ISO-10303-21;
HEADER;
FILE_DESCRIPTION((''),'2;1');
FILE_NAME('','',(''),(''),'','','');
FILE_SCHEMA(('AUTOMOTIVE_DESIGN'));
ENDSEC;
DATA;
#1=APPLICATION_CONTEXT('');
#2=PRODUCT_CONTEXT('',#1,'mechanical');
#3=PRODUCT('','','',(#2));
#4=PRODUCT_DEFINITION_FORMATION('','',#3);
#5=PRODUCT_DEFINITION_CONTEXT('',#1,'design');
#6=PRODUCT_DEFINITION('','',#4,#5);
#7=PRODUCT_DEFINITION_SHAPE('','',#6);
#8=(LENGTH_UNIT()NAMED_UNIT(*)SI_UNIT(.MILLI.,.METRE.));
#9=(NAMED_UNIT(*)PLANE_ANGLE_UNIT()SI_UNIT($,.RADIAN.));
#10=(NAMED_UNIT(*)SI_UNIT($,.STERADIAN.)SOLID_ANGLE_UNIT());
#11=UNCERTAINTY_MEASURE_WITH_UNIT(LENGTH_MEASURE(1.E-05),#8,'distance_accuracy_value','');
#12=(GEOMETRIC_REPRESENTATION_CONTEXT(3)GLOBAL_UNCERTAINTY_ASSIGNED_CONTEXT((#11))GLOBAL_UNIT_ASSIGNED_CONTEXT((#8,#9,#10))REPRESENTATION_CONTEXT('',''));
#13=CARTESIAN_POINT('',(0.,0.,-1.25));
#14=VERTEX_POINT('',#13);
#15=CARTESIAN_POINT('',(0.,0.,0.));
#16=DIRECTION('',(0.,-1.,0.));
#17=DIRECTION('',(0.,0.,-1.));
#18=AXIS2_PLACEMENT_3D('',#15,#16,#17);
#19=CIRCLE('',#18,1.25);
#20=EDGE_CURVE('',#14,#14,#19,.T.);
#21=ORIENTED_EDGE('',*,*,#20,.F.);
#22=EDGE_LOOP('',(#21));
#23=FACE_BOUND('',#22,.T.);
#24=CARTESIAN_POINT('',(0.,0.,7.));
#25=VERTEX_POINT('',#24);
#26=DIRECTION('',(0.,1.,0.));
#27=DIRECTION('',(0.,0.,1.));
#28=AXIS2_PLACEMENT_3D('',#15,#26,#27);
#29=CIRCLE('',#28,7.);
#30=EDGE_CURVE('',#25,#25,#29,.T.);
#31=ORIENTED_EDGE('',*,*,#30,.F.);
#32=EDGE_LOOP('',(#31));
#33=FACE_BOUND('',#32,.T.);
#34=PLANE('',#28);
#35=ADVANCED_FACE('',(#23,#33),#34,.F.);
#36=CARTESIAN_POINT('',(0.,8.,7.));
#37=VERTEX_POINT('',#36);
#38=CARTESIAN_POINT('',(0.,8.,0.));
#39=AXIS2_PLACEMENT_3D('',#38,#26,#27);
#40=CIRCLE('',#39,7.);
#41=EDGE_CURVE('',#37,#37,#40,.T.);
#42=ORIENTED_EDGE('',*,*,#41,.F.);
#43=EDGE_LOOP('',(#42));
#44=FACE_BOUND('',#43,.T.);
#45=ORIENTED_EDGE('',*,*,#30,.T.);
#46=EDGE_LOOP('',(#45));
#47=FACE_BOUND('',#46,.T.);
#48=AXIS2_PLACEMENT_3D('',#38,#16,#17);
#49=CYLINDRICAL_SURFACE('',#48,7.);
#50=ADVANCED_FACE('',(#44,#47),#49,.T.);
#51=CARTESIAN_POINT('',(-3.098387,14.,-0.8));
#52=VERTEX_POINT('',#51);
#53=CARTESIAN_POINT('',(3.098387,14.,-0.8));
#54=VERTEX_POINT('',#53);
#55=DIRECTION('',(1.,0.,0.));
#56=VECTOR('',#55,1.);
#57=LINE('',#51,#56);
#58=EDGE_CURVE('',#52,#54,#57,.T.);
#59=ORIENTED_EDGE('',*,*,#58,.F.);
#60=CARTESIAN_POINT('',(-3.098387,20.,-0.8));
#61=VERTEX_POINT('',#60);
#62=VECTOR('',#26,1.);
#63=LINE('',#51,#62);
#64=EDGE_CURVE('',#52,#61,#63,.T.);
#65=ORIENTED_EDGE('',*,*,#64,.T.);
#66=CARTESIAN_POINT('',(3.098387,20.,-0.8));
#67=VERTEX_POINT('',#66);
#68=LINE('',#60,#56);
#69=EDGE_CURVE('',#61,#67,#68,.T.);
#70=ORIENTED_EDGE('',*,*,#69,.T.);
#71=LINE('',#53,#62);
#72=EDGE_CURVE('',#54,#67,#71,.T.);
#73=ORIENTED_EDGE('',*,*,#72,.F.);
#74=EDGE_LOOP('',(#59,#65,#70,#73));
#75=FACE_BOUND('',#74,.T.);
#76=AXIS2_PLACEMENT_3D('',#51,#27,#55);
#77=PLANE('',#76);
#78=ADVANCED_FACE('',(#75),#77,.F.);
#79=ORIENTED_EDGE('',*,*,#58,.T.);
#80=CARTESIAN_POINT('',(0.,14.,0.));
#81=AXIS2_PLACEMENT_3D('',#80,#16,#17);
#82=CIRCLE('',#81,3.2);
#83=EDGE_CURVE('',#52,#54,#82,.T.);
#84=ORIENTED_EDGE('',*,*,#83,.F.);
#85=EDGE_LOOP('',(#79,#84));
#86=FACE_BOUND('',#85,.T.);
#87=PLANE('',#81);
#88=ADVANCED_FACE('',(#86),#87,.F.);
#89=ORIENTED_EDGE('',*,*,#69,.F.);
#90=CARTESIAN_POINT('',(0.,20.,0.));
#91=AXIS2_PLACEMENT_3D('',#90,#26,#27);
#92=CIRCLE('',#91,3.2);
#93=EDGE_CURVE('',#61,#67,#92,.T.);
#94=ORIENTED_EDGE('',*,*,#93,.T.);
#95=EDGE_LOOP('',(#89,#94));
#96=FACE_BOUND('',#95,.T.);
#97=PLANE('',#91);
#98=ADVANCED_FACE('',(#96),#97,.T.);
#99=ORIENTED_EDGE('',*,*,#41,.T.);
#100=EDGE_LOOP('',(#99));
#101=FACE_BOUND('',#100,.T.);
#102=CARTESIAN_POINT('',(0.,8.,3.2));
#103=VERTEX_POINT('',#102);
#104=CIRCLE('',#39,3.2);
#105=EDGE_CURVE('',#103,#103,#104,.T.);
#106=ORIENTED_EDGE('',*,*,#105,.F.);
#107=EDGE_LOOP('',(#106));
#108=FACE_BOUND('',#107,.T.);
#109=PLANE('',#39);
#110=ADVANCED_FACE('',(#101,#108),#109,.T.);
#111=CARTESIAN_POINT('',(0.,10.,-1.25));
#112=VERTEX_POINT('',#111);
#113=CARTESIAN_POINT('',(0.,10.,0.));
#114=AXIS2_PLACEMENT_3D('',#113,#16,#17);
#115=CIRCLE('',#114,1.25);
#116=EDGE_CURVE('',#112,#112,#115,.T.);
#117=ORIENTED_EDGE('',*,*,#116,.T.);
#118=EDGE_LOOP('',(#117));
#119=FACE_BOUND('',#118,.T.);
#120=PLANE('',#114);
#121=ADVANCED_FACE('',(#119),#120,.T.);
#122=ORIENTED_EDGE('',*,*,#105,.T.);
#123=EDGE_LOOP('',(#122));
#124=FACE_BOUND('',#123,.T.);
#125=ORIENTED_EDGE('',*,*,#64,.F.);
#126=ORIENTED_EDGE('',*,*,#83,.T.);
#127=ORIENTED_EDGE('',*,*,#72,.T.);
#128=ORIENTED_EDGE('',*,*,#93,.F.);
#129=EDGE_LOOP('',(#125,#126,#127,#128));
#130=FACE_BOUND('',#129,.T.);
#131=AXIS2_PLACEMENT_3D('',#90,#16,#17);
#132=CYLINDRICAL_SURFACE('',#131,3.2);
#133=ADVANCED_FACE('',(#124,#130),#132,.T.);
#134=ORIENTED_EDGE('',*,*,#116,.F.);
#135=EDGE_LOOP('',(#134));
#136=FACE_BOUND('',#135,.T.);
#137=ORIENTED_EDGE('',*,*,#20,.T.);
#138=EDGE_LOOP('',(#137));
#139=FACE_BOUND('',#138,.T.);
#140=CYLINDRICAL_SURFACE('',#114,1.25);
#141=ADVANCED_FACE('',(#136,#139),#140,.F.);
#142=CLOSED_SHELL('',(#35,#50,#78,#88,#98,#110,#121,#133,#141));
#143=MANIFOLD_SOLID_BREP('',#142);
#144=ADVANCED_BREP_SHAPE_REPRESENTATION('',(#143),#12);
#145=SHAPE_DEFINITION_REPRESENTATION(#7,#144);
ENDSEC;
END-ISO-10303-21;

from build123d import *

# Parameters (mm, degrees)
SKETCH1_R           = 7
BOSS_EXTRUDE1_DEPTH = 8
SKETCH2_R           = 3.2
BOSS_EXTRUDE2_DEPTH = 12
SKETCH3_W           = 6.196773354
SKETCH3_H           = 3.205100748
CUT_EXTRUDE1_DEPTH  = 6
SKETCH4_R           = 1.25
CUT_EXTRUDE2_DEPTH  = 10


with BuildPart() as part:
    # Sketch1 → Boss-Extrude1 (new body)
    with BuildSketch(Plane(origin=(0, 0, 0), x_dir=(1, 0, 0), z_dir=(0, 1, 0))):
        with Locations(Location((0, 0, 0), (0, 0, 270))):
            Circle(SKETCH1_R)
    extrude(amount=BOSS_EXTRUDE1_DEPTH)

    # Sketch2 → Boss-Extrude2 (add)
    with BuildSketch(Plane(origin=(0, 8, 0), x_dir=(1, 0, 0), z_dir=(0, 1, 0))):
        with Locations(Location((0, 0, 0), (0, 0, 270))):
            Circle(SKETCH2_R)
    extrude(amount=BOSS_EXTRUDE2_DEPTH)

    # Sketch3 → Cut-Extrude1 (cut)
    with BuildSketch(Plane(origin=(0, 20, 0), x_dir=(1, 0, 0), z_dir=(0, 1, 0))):
        with Locations((0, 2.402550374)):
            Rectangle(SKETCH3_W, SKETCH3_H)
    extrude(amount=-CUT_EXTRUDE1_DEPTH, mode=Mode.SUBTRACT)

    # Sketch4 → Cut-Extrude2 (cut)
    with BuildSketch(Plane.XZ):
        with Locations(Location((0, 0, 0), (0, 0, 270))):
            Circle(SKETCH4_R)
    extrude(amount=-CUT_EXTRUDE2_DEPTH, mode=Mode.SUBTRACT)


solid = part.part
